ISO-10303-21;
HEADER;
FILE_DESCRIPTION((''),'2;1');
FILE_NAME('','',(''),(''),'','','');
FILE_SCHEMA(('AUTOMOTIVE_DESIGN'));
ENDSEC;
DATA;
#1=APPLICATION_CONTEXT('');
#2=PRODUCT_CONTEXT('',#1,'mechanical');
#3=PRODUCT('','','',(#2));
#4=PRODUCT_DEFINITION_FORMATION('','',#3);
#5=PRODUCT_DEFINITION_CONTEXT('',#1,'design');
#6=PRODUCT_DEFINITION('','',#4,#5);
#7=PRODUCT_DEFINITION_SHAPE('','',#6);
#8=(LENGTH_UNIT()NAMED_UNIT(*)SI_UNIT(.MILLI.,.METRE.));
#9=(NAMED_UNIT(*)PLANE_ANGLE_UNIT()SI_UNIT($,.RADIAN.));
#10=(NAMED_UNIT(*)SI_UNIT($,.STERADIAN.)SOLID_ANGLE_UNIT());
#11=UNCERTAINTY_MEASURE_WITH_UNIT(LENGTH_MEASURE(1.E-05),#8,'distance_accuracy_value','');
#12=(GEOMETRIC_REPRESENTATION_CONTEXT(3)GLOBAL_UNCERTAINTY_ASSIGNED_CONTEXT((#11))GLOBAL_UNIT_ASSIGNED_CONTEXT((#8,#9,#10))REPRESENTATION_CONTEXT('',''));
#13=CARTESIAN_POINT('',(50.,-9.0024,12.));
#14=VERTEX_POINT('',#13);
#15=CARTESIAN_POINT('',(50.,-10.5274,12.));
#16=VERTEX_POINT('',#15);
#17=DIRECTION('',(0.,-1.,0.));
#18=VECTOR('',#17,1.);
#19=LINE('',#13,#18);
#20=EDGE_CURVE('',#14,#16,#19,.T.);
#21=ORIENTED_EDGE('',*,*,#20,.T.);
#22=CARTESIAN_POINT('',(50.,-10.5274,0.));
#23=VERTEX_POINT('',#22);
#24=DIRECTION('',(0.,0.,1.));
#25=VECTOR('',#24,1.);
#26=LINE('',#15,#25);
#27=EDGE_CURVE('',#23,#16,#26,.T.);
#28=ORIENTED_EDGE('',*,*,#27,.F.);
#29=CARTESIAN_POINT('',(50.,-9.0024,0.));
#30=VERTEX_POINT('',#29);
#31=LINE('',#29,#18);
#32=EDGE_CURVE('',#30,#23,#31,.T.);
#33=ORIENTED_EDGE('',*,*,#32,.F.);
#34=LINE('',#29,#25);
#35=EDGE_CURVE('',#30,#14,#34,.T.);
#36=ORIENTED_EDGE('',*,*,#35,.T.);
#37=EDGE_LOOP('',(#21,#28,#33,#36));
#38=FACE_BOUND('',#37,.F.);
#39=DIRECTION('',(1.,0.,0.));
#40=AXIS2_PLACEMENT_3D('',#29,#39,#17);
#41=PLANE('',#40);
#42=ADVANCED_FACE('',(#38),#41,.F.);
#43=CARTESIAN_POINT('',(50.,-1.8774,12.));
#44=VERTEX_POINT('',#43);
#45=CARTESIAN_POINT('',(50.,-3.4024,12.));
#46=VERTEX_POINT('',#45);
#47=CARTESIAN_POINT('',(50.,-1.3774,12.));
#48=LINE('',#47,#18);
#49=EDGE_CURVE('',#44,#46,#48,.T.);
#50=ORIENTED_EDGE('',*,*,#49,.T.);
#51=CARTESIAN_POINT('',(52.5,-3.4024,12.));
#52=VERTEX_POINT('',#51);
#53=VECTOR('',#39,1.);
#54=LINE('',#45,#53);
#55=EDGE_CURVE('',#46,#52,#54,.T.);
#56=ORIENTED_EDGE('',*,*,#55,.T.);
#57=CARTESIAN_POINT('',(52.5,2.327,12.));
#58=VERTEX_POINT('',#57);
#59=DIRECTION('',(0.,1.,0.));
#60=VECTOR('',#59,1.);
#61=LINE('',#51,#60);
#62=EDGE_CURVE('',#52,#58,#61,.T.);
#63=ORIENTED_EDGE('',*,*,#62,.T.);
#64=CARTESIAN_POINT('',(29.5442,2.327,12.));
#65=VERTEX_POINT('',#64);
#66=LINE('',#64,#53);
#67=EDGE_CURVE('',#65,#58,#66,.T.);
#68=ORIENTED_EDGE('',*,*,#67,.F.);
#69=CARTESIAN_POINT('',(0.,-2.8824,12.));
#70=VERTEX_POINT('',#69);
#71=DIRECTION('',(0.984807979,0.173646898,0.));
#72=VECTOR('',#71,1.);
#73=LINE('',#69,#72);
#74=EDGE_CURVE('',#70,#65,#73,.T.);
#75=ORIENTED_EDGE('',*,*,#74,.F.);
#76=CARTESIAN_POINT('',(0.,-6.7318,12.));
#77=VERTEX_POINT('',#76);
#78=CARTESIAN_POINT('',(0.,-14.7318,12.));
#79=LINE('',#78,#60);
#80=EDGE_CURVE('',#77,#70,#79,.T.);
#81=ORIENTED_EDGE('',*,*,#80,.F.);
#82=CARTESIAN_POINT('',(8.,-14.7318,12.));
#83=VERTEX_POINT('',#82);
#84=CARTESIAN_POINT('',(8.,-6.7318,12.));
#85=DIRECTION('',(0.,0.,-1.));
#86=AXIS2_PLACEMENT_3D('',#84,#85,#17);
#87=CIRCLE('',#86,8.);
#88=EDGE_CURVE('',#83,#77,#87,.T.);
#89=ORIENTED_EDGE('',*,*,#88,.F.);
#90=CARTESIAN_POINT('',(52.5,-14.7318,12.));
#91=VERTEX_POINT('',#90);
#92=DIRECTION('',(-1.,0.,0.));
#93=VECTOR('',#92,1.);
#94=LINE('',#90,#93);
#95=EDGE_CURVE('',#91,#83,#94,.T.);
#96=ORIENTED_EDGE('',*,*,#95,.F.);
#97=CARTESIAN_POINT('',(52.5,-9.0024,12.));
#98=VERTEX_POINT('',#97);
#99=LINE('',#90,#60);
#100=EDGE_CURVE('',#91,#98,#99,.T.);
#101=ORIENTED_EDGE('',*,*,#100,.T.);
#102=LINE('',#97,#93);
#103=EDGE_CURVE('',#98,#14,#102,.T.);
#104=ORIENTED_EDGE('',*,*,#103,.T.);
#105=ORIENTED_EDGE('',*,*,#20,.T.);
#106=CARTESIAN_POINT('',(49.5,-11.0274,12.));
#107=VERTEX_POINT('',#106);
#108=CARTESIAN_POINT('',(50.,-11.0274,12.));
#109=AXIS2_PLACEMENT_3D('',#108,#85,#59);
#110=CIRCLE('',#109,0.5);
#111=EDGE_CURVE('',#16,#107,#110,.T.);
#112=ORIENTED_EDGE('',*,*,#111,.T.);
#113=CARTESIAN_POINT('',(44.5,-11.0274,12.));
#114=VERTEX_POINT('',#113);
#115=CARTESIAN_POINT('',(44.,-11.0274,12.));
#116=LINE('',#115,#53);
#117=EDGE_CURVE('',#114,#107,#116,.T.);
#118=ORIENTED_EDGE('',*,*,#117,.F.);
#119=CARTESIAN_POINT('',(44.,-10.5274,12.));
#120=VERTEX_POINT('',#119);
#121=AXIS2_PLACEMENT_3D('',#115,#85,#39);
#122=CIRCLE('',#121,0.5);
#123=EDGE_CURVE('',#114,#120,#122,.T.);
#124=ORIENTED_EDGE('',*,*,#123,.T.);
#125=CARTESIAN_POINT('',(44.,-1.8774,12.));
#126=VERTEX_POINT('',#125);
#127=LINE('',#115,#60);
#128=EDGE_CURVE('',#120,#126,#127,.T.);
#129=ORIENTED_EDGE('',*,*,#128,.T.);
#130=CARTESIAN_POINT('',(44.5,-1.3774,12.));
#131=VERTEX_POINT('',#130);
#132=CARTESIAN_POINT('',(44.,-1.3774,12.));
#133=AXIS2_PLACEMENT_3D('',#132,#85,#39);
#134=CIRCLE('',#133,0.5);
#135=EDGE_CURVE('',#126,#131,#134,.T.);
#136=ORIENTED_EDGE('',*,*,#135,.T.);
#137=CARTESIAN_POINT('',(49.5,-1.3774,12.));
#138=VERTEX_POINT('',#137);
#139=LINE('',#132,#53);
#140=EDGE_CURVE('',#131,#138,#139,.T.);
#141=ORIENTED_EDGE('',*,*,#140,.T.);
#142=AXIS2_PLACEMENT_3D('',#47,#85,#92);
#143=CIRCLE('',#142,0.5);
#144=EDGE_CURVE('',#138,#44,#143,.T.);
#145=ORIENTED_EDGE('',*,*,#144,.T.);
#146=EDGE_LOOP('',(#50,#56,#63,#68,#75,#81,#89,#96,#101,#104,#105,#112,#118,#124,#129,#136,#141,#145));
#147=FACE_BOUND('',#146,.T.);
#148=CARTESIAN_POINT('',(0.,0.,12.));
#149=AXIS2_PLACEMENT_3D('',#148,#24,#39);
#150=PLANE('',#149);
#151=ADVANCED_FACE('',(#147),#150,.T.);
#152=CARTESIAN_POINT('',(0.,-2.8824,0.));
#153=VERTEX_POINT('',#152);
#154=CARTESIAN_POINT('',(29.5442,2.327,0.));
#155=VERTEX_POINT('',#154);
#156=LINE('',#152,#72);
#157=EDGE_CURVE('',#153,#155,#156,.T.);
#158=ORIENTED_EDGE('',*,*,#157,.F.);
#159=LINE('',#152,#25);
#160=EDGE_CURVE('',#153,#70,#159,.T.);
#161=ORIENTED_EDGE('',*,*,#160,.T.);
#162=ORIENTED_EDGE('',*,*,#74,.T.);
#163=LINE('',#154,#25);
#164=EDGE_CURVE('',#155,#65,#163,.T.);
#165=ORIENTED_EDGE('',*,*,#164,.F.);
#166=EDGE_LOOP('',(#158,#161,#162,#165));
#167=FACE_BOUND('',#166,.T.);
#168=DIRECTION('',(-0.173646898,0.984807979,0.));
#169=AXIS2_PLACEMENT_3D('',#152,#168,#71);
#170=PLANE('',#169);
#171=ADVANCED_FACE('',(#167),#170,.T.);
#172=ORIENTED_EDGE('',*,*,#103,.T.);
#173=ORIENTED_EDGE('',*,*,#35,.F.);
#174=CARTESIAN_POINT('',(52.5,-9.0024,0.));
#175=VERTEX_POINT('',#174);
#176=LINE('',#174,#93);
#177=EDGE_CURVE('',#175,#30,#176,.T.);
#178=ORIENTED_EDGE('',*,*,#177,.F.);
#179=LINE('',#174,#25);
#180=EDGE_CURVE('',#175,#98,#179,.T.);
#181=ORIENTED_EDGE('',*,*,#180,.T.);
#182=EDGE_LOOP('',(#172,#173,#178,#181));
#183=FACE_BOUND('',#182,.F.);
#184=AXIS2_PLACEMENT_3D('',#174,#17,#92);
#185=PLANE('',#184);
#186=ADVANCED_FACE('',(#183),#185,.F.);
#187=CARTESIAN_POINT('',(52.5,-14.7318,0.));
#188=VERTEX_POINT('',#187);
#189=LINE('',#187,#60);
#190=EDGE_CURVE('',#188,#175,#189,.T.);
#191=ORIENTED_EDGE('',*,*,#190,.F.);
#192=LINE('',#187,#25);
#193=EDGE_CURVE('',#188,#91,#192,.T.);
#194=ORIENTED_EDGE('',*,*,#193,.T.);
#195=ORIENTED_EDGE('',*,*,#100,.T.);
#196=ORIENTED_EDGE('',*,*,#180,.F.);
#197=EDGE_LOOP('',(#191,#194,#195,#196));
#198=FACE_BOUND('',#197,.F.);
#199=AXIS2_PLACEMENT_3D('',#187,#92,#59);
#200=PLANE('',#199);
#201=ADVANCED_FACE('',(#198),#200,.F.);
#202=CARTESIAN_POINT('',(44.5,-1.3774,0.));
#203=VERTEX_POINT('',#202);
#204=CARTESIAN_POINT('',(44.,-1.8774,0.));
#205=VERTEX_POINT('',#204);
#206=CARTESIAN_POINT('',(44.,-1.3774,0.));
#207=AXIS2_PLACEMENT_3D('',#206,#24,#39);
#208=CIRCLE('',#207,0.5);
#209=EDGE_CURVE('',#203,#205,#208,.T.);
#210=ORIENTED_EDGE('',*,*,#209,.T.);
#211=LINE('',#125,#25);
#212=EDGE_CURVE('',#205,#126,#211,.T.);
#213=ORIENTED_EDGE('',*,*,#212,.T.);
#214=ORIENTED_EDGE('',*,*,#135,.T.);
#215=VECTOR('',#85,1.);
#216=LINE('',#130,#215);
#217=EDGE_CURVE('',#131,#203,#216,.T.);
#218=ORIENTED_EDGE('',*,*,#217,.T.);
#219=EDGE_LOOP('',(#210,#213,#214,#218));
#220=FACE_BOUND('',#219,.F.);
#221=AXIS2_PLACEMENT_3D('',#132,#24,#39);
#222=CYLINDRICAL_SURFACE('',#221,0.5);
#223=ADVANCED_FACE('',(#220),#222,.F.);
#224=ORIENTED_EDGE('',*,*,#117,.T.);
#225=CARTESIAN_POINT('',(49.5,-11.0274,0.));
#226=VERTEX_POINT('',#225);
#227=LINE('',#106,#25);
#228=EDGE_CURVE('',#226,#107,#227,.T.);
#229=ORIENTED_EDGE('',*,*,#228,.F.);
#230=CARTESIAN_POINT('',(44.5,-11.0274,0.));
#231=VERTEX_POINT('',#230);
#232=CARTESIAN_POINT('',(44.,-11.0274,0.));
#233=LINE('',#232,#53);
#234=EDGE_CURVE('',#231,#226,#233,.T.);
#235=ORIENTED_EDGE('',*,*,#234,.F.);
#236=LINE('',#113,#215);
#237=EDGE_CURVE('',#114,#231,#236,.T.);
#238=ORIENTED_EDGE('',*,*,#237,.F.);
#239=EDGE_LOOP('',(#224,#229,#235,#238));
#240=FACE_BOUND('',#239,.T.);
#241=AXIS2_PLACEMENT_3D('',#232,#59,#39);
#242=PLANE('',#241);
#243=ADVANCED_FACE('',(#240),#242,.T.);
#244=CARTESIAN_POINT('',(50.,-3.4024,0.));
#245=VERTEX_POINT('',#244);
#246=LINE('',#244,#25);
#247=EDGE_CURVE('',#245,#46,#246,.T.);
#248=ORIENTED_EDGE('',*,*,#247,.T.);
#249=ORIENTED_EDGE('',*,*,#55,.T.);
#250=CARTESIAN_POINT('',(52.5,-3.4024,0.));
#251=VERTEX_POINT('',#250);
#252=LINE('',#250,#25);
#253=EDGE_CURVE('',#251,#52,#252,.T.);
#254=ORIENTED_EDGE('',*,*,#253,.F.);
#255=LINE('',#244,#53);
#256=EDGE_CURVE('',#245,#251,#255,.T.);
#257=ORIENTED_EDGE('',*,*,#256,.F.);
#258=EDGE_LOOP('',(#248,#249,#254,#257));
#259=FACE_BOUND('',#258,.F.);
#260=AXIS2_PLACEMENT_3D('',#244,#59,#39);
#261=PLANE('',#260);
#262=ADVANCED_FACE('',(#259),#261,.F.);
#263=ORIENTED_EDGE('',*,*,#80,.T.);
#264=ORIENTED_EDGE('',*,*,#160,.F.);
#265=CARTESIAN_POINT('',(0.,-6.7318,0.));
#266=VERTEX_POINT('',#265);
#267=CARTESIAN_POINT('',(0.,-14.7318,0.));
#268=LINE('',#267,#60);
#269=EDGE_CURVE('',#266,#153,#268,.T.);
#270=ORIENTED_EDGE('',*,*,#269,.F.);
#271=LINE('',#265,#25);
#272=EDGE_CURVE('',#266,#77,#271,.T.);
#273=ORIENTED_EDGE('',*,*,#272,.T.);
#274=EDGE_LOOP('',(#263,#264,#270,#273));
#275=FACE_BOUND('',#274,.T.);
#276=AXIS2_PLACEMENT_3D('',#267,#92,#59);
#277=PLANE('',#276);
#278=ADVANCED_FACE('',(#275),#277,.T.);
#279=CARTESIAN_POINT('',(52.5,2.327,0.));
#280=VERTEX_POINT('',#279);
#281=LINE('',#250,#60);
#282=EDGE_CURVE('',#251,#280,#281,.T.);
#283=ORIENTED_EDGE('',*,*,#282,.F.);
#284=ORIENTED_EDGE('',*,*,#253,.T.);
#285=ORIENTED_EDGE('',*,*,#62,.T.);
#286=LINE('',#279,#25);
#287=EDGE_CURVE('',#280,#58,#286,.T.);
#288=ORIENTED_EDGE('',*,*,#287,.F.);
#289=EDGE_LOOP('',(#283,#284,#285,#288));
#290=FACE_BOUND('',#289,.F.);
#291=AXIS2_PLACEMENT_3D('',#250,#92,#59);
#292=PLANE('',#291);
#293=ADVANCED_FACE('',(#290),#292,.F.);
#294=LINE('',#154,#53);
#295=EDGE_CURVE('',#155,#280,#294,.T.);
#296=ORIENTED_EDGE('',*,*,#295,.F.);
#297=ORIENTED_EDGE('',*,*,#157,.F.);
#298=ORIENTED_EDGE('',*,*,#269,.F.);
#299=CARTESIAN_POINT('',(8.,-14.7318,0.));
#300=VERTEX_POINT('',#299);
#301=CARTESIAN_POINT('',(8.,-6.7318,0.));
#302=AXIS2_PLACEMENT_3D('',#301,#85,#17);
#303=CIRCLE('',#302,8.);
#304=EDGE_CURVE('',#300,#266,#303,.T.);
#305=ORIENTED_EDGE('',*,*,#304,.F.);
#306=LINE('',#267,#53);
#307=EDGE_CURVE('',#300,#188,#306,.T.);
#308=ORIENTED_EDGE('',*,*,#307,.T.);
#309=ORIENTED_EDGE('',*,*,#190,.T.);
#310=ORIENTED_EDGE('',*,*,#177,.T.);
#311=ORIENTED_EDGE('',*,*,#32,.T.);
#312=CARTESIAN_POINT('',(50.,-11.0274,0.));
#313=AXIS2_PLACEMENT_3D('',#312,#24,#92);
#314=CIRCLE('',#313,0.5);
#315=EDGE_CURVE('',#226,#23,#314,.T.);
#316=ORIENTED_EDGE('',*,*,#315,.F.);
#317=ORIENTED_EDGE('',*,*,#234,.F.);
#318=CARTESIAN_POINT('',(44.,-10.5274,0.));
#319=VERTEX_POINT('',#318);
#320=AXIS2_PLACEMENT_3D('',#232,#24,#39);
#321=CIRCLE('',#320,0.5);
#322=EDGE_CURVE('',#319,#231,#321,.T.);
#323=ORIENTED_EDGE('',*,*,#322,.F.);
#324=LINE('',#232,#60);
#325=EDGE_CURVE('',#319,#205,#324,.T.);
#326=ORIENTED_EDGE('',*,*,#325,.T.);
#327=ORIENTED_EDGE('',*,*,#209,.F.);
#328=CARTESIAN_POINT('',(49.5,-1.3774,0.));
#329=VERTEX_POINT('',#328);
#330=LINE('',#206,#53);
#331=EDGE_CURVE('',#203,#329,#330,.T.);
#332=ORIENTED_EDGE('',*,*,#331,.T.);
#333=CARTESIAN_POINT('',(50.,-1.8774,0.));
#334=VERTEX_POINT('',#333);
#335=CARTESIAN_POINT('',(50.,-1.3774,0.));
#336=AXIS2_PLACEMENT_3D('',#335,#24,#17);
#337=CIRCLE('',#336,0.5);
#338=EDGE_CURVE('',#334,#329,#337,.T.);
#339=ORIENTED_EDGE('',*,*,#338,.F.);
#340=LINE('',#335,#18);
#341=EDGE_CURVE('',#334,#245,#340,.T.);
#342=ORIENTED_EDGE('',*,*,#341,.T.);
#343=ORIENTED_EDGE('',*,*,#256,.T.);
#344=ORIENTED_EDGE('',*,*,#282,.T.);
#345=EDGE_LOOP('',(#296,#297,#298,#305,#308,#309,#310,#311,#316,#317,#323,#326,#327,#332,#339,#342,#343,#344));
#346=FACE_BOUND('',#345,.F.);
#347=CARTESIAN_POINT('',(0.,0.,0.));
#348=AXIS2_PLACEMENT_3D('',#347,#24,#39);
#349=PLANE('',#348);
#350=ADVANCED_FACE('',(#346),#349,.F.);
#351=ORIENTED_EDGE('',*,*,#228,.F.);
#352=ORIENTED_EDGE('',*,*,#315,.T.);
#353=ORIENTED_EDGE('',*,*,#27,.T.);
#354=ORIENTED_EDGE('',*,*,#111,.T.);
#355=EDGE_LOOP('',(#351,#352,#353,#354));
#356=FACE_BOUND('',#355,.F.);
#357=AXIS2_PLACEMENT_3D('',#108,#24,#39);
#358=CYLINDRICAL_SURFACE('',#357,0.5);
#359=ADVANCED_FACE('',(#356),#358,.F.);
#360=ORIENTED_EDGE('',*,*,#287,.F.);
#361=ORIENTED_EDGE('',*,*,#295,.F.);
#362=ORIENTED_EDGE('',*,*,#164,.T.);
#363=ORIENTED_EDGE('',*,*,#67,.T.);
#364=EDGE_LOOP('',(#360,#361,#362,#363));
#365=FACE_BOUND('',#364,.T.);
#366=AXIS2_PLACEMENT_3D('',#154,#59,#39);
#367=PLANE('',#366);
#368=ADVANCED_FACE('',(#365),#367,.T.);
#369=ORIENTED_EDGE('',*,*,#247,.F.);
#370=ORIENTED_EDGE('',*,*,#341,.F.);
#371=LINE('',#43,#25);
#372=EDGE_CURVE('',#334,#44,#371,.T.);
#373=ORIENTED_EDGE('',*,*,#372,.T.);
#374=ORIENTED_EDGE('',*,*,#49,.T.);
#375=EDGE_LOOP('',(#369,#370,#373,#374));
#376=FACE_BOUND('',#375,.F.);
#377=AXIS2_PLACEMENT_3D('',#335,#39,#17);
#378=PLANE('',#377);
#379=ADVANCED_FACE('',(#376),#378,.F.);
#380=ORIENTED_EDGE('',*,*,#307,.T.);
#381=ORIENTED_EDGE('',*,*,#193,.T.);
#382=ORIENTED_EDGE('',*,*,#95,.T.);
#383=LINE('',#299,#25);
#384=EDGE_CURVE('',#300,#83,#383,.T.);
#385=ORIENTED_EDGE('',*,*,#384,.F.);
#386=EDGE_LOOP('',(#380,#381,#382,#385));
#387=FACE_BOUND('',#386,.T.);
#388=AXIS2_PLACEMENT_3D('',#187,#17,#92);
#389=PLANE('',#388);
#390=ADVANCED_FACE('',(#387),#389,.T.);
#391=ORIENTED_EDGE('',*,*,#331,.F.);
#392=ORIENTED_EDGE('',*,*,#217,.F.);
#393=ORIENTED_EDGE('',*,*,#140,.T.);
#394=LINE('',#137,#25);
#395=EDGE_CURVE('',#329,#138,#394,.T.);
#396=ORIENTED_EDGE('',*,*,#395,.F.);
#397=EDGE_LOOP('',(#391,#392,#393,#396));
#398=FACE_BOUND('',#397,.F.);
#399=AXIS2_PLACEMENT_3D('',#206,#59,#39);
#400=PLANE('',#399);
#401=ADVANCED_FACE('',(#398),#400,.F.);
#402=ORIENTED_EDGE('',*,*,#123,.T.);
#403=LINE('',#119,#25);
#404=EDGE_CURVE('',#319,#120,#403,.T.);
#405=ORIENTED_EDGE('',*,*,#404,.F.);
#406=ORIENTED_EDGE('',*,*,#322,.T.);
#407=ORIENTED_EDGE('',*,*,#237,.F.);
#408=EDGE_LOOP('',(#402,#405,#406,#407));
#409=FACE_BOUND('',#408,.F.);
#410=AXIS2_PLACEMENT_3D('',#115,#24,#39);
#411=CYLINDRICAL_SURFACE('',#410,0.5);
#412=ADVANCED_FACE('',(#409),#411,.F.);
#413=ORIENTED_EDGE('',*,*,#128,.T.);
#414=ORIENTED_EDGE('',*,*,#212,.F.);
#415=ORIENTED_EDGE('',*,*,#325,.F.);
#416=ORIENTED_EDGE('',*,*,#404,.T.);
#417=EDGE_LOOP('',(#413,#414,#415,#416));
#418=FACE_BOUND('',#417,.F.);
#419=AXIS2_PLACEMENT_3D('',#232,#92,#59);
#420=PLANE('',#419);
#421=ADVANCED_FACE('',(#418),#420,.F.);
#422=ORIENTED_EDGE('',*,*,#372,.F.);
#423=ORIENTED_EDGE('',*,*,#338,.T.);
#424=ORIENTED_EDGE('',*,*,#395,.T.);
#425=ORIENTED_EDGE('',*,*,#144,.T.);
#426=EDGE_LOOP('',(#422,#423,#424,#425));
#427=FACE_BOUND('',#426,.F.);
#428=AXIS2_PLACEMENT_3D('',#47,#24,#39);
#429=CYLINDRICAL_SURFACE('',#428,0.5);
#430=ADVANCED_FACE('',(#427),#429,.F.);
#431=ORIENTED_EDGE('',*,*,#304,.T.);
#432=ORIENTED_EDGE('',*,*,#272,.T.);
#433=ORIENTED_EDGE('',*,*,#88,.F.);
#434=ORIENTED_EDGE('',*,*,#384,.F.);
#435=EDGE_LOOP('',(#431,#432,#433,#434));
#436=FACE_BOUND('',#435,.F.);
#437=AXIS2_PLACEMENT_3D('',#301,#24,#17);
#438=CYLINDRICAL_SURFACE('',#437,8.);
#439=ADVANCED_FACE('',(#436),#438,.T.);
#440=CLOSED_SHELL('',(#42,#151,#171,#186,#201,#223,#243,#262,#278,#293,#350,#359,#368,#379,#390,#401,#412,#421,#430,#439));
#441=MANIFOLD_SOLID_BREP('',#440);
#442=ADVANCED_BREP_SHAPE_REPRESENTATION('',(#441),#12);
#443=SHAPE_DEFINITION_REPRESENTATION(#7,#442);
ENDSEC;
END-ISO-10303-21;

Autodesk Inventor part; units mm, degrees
ref_plane "YZ Plane" through (0, 0, 0) normal (1, 0, 0) x (0, 1, 0)
ref_plane "XZ Plane" through (0, 0, 0) normal (0, 1, 0) x (-1, 0, 0)
ref_plane "XY Plane" through (0, 0, 0) normal (0, 0, 1) x (1, 0, 0)
sketch "Sketch5" plane through (0, 0, 0) normal (0, 0, 1) x (1, 0, 0)
  line L0 (52.5, -14.7318) -> (52.5, -9.0024)
  line L1 (52.5, -9.0024) -> (50, -9.0024)
  line L2 (50, -9.0024) -> (50, -11.0274)
  line L3 (44, -11.0274) -> (44, -1.3774)
  line L4 (50, -1.3774) -> (50, -3.4024)
  line L5 (50, -3.4024) -> (52.5, -3.4024)
  line L6 (52.5, -3.4024) -> (52.5, 2.327)
  line L7 (44, -1.3774) -> (50, -1.3774)
  line L8 (44, -11.0274) -> (50, -11.0274)
  line L9 (52.5, -14.7318) -> (44, -14.7318)
  line L10 (40.2429, -14.7318) -> (44, -14.7318)
  line L11 (0, -14.7318) -> (40.2429, -14.7318)
  line L12 (0, -14.7318) -> (0, -2.8824)
  line L13 (0, -2.8824) -> (29.5442, 2.327)
  line L14 (29.5442, 2.327) -> (52.5, 2.327)
  point P0 (0, 0)
  dimension "d41" = 6
  dimension "d48" = 44
  dimension "d50" = 2.5
  dimension "d87" = 5.6
  dimension "d88" = 9.65
  dimension "d115" = 10
  dimension "d116" = 30
  dimension "d117" = 0
extrude "Extrusion2" add sketch "Sketch5" along normal blind 12
sketch "Sketch11" plane through (0, 0, 12) normal (0, 0, 1) x (1, 0, 0)
  line L0 (44, -1.3774) -> (50, -1.3774) projected
  circle A0 centre (44, -1.3774) radius 0.5
  line L1 (44, -11.0274) -> (44, -1.3774) projected
  circle A1 centre (44, -11.0274) radius 0.5
  line L2 (50, -11.0274) -> (44, -11.0274) projected
  circle A2 centre (50, -11.0274) radius 0.5
  line L3 (50, -1.3774) -> (50, -3.4024) projected
  circle A3 centre (50, -1.3774) radius 0.5
  point P0 (0, 0)
  dimension "d99" = 1
  dimension "d100" = 1
  dimension "d101" = 1
  dimension "d102" = 1
extrude "Extrusion7" cut sketch "Sketch11" against normal through all
fillet "Rundung4" radius 8 1 edges at (0, -14.7318, 6)
equation "\"l1\" = 8"
properties part number "Maria_Greifer_Dreieck2_3D-Druck"
